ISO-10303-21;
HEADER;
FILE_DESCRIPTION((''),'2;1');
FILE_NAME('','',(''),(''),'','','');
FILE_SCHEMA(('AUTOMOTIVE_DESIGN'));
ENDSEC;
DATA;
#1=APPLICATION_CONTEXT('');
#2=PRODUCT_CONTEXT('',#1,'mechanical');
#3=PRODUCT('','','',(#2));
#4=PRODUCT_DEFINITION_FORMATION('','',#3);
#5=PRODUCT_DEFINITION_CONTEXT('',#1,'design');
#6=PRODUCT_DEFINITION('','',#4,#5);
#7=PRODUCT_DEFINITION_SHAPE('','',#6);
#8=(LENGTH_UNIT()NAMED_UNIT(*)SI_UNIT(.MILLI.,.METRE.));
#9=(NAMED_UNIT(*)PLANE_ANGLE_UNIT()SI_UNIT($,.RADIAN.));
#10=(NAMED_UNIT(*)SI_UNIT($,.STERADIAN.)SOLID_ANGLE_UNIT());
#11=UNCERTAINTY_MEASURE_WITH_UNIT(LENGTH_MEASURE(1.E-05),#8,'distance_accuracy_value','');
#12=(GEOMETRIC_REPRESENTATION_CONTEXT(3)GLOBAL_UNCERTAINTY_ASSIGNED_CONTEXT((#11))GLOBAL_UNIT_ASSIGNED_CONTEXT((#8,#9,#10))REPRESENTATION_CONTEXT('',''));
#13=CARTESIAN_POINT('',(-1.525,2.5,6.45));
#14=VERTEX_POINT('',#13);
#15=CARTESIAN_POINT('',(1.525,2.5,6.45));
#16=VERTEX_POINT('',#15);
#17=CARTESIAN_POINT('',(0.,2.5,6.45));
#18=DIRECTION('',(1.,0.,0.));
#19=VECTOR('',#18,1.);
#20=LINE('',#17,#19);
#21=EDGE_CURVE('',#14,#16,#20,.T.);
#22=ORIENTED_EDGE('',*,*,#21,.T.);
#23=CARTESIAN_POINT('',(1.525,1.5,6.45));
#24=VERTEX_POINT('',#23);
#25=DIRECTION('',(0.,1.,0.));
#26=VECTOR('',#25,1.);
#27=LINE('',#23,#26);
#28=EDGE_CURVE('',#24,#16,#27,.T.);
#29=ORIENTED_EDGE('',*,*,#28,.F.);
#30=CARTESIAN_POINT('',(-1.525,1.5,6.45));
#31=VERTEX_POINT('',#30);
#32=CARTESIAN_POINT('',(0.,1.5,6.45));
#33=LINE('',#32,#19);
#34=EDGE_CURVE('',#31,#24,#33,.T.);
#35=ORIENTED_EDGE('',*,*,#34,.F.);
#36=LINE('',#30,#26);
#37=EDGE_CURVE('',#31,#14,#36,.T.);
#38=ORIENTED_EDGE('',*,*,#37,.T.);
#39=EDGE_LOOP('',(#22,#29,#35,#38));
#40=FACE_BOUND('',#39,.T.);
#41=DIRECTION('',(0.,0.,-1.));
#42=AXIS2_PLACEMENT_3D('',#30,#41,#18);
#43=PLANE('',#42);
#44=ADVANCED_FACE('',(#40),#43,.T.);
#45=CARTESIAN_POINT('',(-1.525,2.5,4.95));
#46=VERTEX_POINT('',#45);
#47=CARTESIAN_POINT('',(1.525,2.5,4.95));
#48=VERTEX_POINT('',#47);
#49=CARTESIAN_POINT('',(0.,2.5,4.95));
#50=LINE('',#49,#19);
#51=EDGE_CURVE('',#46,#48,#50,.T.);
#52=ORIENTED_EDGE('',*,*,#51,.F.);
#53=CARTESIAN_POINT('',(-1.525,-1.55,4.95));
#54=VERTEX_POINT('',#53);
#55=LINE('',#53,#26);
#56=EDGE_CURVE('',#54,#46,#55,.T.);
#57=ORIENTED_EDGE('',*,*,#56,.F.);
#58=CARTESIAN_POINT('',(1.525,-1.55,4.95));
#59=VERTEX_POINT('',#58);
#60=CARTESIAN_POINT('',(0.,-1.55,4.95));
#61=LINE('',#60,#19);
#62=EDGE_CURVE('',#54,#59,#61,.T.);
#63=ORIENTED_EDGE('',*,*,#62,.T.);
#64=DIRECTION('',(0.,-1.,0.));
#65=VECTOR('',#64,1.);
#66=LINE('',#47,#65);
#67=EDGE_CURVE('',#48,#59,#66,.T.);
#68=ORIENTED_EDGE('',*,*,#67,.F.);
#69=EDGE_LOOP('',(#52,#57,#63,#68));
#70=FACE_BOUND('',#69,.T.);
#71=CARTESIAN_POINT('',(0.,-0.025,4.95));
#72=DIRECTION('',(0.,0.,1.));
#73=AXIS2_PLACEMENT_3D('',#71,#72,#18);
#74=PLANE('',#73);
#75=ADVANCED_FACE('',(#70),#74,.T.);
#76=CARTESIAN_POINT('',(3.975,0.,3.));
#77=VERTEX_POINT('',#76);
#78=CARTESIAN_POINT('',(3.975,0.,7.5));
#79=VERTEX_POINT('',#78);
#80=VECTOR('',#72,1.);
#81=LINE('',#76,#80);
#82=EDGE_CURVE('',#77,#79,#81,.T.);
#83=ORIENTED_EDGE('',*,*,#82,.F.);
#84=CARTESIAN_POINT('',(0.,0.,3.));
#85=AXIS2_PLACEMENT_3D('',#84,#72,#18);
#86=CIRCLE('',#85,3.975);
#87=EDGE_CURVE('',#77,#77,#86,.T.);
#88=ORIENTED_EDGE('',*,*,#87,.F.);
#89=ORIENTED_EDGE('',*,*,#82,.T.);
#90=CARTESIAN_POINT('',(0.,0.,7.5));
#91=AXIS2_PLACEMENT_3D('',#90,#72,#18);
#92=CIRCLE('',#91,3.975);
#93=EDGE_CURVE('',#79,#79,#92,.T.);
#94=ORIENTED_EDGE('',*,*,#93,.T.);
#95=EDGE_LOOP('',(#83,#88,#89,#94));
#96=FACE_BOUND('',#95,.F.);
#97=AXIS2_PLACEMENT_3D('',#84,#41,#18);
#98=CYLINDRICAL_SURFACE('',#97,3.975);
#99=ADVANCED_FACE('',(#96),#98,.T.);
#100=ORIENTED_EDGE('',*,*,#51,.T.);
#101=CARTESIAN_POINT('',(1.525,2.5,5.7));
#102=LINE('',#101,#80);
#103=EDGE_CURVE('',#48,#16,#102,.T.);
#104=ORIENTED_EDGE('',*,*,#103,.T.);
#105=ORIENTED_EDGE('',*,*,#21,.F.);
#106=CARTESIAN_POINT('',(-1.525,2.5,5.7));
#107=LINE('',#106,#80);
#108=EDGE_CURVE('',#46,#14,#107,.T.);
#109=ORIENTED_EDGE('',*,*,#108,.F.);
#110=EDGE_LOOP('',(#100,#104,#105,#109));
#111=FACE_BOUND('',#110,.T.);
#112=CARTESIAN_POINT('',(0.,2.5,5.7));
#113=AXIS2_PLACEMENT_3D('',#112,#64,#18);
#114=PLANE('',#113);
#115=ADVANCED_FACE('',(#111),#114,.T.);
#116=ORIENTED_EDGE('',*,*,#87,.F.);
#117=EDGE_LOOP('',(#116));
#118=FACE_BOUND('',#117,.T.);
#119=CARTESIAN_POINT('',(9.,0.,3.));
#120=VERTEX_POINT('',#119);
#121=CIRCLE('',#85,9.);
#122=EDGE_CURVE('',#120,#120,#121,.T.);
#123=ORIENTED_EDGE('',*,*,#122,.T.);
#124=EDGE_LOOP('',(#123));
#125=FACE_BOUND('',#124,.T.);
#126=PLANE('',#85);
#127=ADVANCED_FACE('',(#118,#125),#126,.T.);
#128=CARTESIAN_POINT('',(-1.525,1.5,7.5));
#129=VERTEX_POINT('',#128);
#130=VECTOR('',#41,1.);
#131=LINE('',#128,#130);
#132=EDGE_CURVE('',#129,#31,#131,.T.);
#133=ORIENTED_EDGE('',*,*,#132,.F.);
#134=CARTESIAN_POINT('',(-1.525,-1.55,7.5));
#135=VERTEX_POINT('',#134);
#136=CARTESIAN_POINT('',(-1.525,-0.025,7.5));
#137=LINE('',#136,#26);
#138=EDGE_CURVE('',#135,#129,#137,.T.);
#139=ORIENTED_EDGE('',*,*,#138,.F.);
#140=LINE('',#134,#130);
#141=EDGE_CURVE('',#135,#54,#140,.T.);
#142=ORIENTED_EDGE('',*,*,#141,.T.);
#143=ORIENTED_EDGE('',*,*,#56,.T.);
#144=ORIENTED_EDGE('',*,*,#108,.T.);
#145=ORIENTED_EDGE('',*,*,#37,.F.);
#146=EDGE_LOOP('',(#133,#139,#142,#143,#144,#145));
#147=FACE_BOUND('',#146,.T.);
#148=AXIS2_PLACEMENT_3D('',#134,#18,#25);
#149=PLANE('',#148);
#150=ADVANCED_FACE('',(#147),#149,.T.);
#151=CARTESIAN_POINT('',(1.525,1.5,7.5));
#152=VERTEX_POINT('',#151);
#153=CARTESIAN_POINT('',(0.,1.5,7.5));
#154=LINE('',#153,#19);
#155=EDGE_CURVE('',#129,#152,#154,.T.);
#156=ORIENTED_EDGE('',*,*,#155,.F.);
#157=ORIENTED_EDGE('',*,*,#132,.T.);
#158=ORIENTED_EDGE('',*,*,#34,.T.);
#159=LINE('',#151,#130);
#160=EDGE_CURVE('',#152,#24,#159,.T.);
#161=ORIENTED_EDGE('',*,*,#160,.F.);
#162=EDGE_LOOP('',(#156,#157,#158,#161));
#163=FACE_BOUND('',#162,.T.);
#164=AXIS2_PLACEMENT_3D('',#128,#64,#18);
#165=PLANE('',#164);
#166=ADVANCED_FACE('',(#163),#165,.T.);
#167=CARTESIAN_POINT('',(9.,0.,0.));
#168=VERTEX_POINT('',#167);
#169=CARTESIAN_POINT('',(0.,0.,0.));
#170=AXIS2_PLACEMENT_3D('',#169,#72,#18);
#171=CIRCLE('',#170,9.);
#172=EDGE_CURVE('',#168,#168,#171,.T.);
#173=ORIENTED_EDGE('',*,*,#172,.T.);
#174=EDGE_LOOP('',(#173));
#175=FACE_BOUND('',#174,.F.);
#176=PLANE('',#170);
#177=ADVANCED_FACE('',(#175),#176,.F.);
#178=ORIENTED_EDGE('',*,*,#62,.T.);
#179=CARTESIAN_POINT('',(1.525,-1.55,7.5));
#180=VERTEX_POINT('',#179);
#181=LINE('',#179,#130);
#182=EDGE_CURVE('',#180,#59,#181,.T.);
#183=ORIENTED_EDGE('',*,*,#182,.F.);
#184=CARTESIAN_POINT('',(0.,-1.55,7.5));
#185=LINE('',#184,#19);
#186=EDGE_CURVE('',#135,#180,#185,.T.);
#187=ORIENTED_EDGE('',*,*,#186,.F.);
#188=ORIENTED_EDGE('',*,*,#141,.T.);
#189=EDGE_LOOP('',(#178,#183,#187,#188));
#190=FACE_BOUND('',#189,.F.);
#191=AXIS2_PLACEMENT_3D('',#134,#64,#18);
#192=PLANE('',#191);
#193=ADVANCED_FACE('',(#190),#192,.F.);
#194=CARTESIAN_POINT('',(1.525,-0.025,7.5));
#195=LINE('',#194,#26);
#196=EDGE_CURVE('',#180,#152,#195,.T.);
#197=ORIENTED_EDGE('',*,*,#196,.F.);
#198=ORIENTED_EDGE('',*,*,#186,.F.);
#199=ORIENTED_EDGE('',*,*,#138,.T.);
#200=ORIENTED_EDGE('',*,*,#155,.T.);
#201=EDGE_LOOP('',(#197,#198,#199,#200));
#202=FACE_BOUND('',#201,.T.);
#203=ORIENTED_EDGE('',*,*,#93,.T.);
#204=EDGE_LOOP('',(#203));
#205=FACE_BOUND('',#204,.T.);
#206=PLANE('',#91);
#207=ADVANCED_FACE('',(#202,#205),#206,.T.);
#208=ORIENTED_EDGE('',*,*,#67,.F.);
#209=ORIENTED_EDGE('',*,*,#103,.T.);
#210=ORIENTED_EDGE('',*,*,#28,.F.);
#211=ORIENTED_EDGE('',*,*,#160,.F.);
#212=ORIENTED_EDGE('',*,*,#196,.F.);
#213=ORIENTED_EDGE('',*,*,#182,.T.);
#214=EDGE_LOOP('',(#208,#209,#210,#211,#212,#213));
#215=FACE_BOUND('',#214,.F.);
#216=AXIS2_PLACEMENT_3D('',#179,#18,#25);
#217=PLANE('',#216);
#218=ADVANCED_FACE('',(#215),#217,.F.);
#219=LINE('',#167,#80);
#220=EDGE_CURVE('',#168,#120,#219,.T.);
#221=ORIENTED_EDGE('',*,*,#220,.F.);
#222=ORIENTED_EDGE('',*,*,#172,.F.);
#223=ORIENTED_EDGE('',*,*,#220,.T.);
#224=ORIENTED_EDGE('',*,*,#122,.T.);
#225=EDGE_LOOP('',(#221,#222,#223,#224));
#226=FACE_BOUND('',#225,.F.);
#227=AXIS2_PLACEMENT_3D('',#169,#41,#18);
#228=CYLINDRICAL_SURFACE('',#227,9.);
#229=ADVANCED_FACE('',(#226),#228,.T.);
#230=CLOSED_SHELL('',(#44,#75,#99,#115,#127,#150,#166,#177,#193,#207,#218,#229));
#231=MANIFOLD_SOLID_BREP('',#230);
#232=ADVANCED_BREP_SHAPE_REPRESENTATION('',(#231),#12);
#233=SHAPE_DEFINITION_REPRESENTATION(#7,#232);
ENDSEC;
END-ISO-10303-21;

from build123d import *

# Parameters (mm, degrees)
F0_R     = 9
F1_DEPTH = 3
F2_R     = 3.975
F3_DEPTH = 4.5
F4_W     = 3.05
F4_H     = 3.05
F5_DEPTH = 2.55
F6_W     = 3.05
F6_H     = 1.5
F7_DEPTH = 1


with BuildPart() as f1:
    # F0 (on Top) → F1 (new body)
    with BuildSketch(Plane.XY):
        Circle(F0_R)
    extrude(amount=F1_DEPTH)

    # F2 (on face) → F3 (join)
    with BuildSketch(Plane.XY.offset(3)):
        Circle(F2_R)
    extrude(amount=F3_DEPTH)

    # F4 (on face) → F5 (cut)
    with BuildSketch(Plane.XY.offset(7.5)):
        with Locations((0, -0.025)):
            Rectangle(F4_W, F4_H)
    extrude(amount=-F5_DEPTH, mode=Mode.SUBTRACT)

    # F6 (on face) → F7 (cut)
    with BuildSketch(Plane.XZ.offset(-1.5)):
        with Locations((0, 5.7)):
            Rectangle(F6_W, F6_H)
    extrude(amount=-F7_DEPTH, mode=Mode.SUBTRACT)


solid = f1.part
